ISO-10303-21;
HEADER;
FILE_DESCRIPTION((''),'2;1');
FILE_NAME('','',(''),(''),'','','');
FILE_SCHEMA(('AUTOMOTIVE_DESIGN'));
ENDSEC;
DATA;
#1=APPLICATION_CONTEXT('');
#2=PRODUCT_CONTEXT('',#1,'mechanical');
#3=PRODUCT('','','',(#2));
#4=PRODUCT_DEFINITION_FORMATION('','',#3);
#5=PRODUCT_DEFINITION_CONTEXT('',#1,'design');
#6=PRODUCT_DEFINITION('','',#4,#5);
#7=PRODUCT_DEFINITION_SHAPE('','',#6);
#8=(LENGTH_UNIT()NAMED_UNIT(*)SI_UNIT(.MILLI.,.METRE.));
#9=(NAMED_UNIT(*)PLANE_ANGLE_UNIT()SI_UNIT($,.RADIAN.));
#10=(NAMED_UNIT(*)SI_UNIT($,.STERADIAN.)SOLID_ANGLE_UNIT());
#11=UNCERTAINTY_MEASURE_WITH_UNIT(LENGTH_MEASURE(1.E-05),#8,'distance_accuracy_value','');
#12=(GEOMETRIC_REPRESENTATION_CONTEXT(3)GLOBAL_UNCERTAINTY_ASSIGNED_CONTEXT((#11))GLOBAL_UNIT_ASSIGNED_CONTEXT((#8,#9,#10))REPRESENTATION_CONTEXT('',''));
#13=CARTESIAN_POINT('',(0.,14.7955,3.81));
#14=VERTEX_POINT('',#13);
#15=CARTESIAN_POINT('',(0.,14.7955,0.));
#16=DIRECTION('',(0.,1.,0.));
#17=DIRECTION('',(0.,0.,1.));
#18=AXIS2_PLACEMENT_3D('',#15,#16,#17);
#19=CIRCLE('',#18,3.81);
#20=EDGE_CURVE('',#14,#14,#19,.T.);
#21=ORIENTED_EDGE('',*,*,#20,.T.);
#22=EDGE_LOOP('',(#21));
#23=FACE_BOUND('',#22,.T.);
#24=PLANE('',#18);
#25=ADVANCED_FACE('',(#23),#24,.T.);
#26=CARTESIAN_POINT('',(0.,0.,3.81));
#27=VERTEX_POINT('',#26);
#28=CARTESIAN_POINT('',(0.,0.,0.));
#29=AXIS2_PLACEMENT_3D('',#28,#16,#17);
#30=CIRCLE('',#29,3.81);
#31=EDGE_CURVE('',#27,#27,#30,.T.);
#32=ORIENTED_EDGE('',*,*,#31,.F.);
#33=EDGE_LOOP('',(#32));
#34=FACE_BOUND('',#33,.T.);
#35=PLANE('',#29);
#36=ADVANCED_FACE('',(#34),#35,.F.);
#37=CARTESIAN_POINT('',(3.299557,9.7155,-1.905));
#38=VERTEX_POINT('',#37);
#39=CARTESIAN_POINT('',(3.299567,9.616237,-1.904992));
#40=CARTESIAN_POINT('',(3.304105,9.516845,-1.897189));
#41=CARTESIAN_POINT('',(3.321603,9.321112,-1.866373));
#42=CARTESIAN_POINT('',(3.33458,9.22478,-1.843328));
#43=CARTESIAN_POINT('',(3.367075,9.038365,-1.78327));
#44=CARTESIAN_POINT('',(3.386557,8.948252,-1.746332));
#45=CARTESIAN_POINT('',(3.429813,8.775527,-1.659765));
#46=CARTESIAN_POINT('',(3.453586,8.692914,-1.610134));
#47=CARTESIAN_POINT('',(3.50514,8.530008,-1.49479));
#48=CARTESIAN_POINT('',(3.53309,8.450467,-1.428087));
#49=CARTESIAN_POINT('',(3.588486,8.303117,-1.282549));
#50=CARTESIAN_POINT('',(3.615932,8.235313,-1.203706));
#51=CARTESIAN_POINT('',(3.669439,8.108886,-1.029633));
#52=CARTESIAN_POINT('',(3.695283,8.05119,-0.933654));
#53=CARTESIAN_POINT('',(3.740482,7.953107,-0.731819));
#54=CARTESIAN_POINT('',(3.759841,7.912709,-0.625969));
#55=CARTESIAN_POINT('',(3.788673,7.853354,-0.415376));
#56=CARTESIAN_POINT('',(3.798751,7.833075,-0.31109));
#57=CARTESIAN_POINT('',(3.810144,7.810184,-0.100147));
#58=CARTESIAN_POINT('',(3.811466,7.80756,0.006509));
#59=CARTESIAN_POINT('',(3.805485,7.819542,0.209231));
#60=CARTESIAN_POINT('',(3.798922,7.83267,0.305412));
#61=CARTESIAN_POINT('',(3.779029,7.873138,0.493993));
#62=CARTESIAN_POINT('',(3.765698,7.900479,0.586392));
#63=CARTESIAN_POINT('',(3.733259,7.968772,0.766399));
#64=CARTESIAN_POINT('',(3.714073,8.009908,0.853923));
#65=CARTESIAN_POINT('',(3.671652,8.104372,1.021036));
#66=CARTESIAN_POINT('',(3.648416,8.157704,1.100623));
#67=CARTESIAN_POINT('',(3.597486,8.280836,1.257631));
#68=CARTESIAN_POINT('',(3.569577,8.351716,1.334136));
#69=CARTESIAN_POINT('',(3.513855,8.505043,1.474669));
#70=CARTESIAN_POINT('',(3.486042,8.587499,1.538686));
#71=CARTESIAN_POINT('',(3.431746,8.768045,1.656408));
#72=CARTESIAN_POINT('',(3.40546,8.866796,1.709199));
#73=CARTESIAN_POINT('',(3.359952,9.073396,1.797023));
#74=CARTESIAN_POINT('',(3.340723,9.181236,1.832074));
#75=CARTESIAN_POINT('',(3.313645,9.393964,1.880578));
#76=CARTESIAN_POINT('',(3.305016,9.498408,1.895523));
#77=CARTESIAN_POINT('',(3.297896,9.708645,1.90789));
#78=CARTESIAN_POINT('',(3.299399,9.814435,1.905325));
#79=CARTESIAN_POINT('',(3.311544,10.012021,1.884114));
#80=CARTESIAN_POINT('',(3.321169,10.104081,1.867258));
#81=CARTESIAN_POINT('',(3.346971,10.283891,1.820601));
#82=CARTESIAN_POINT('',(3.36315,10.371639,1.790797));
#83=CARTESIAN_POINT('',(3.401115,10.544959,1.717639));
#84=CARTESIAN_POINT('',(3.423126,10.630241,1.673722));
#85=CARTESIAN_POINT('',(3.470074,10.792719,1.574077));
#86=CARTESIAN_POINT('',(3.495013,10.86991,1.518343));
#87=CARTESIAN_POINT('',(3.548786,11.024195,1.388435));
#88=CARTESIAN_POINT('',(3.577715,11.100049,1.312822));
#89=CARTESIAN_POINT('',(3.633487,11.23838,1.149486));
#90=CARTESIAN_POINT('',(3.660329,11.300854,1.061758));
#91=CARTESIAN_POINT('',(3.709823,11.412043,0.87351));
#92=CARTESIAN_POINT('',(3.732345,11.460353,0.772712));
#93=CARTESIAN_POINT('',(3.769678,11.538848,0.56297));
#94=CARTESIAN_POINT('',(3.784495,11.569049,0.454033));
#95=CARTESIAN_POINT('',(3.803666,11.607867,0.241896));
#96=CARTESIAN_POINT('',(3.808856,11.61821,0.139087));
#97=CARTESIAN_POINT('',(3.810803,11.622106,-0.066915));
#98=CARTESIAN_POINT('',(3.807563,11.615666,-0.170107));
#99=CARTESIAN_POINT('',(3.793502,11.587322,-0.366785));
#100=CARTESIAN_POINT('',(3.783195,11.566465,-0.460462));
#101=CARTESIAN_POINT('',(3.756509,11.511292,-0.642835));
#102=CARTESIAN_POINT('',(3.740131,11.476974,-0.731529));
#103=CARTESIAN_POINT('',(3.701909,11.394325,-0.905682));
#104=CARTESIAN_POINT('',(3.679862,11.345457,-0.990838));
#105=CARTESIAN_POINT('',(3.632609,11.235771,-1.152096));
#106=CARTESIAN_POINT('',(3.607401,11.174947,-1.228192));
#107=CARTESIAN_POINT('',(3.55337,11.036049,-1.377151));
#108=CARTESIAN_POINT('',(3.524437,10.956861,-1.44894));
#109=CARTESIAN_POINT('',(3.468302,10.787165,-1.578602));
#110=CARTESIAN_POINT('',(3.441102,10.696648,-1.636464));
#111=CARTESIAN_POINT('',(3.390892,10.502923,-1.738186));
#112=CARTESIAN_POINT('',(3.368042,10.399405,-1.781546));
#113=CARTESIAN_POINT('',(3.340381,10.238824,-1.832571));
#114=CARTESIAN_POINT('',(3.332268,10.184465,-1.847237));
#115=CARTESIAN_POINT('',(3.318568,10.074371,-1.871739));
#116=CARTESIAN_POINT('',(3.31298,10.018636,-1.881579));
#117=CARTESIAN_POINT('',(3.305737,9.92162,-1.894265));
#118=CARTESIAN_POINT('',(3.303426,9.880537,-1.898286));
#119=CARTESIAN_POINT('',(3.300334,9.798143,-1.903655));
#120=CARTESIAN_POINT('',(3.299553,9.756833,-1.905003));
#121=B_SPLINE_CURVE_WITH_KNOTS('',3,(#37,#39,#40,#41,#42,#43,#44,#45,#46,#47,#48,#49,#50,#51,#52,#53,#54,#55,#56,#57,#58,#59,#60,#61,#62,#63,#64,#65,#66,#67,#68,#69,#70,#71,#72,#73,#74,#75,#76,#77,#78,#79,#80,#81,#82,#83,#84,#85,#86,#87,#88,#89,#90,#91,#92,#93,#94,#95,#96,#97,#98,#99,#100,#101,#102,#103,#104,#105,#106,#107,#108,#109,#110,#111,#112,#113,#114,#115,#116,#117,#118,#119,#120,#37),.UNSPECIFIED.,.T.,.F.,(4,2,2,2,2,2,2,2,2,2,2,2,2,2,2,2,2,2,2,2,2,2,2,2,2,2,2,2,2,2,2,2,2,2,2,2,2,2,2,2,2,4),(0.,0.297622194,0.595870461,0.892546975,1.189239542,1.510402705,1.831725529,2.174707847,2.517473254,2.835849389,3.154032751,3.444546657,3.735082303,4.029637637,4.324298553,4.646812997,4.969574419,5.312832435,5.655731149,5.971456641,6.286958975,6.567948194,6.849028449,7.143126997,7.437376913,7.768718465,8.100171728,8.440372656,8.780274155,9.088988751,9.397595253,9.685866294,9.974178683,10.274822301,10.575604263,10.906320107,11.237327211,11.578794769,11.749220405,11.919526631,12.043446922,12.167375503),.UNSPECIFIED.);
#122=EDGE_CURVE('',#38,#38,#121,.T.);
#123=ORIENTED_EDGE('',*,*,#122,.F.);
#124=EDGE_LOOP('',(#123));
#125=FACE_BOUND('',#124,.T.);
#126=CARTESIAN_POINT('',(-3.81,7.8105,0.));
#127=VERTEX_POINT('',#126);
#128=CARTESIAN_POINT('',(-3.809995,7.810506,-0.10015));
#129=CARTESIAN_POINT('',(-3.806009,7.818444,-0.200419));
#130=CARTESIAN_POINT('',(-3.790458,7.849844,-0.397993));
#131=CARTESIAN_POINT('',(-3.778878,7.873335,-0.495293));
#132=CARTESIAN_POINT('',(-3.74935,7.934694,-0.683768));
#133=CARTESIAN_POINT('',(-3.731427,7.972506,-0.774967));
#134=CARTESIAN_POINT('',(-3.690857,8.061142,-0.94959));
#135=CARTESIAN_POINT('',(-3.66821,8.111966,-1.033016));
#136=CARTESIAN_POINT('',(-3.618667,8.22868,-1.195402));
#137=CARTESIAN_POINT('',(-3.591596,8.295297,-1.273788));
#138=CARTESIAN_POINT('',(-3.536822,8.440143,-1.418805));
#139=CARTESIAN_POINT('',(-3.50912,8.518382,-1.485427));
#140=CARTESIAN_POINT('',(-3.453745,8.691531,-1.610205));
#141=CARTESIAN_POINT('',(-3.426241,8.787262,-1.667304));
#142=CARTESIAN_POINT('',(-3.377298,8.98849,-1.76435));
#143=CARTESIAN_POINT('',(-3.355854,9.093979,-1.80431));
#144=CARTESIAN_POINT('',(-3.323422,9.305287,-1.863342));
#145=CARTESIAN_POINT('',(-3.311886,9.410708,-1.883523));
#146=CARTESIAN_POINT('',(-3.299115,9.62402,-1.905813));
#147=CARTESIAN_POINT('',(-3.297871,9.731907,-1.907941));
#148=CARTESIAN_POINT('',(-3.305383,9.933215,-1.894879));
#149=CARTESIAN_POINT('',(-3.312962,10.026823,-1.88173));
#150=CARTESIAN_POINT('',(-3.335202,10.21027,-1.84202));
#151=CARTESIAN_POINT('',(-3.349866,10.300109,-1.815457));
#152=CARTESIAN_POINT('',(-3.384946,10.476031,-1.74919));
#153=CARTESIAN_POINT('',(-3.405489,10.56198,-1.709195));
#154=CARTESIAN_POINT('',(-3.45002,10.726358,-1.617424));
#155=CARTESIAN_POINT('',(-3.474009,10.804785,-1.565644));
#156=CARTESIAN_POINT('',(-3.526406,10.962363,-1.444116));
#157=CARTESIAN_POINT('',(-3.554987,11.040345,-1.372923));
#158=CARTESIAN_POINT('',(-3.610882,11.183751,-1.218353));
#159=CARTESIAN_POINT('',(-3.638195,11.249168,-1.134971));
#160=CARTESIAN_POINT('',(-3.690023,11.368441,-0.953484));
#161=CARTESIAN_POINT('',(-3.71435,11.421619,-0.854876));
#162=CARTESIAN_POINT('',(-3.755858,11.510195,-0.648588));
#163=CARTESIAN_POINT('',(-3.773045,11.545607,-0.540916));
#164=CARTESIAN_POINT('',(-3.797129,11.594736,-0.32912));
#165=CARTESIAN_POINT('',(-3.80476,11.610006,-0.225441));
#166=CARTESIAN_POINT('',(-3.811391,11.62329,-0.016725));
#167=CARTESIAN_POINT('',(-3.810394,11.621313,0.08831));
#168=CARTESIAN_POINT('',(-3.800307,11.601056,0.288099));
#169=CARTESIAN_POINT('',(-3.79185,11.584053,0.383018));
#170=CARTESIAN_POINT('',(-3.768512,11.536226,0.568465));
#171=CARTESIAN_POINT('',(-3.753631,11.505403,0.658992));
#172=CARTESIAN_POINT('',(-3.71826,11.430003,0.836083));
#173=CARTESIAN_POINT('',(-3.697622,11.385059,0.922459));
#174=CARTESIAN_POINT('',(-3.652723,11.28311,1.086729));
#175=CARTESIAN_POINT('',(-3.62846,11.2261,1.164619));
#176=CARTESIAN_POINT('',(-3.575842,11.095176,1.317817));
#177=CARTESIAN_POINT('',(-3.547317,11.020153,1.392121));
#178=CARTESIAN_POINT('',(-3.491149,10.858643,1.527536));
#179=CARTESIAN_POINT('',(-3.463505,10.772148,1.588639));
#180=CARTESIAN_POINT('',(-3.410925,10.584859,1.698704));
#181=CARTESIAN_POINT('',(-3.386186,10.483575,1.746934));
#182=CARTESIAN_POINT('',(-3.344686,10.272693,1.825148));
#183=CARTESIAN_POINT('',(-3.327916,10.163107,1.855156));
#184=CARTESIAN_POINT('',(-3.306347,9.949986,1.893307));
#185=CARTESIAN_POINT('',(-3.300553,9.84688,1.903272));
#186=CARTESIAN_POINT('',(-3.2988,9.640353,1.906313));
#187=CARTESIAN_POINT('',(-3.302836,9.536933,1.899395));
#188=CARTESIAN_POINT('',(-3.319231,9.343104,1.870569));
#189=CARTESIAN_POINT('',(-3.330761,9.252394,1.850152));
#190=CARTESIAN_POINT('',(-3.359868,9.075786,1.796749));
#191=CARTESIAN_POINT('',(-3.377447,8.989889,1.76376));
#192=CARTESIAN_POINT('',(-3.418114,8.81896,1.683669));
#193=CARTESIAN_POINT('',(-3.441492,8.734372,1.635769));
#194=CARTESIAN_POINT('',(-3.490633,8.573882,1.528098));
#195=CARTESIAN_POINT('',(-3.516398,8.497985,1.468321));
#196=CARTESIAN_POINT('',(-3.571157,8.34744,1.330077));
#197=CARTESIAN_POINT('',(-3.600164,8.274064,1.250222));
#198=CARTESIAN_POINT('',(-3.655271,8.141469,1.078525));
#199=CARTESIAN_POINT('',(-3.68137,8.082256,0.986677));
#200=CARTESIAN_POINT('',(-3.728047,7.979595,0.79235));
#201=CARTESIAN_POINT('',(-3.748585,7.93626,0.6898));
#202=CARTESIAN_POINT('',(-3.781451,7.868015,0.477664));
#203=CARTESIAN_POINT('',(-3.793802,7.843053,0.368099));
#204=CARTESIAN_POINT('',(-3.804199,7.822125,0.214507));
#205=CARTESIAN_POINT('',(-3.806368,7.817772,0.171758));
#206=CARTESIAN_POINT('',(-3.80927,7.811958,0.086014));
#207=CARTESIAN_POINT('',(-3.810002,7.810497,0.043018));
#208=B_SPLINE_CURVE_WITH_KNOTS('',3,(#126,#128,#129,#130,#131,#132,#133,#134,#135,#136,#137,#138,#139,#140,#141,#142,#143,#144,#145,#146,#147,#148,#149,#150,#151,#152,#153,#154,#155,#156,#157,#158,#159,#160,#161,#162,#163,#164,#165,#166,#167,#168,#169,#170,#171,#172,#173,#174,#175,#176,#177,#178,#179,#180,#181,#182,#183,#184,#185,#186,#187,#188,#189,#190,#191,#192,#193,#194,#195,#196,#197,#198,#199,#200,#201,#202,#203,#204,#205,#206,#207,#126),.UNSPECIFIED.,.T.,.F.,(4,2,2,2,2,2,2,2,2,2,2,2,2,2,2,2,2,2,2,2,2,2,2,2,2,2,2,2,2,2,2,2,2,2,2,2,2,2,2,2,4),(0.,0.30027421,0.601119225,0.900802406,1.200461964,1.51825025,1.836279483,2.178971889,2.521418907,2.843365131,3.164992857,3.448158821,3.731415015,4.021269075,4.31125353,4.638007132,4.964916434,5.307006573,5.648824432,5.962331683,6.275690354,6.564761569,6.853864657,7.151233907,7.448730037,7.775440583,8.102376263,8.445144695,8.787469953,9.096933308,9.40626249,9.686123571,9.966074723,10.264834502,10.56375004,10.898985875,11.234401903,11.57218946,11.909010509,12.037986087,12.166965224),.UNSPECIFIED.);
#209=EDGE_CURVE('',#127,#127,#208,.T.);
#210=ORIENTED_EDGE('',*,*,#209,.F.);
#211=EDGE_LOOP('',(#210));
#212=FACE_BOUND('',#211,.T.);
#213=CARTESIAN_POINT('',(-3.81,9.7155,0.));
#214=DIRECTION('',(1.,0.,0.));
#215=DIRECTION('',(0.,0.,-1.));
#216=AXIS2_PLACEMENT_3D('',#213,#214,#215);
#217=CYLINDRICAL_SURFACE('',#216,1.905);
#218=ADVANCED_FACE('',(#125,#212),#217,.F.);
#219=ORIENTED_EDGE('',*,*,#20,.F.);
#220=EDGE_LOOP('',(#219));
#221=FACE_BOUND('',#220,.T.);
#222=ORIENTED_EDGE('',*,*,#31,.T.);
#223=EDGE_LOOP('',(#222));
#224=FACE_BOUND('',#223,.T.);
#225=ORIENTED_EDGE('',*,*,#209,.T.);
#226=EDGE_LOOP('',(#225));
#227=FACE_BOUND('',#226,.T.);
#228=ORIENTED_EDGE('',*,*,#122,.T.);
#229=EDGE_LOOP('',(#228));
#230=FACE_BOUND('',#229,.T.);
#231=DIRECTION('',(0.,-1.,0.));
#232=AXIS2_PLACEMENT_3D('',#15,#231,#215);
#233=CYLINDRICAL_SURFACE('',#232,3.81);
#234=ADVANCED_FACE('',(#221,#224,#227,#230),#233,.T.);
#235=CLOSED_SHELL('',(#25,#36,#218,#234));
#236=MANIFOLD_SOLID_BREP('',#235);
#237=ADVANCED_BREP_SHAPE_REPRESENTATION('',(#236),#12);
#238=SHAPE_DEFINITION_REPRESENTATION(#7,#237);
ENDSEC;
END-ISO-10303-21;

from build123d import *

# Parameters (mm, degrees)
SKETCH1_R           = 3.81
BOSS_EXTRUDE1_DEPTH = 14.7955
SKETCH2_R           = 1.905
CUT_EXTRUDE1_DEPTH  = 8.62


with BuildPart() as part:
    # Sketch1 → Boss-Extrude1 (new body)
    with BuildSketch(Plane(origin=(0, 0, 0), x_dir=(1, 0, 0), z_dir=(0, 1, 0))):
        Circle(SKETCH1_R)
    extrude(amount=BOSS_EXTRUDE1_DEPTH)

    # Sketch2 → Cut-Extrude1 (cut, through all)
    with BuildSketch(Plane(origin=(3.81, 0, 0), x_dir=(0, 0, -1), z_dir=(1, 0, 0))):
        with Locations((0, 9.7155)):
            Circle(SKETCH2_R)
    extrude(amount=-CUT_EXTRUDE1_DEPTH, mode=Mode.SUBTRACT)


solid = part.part
